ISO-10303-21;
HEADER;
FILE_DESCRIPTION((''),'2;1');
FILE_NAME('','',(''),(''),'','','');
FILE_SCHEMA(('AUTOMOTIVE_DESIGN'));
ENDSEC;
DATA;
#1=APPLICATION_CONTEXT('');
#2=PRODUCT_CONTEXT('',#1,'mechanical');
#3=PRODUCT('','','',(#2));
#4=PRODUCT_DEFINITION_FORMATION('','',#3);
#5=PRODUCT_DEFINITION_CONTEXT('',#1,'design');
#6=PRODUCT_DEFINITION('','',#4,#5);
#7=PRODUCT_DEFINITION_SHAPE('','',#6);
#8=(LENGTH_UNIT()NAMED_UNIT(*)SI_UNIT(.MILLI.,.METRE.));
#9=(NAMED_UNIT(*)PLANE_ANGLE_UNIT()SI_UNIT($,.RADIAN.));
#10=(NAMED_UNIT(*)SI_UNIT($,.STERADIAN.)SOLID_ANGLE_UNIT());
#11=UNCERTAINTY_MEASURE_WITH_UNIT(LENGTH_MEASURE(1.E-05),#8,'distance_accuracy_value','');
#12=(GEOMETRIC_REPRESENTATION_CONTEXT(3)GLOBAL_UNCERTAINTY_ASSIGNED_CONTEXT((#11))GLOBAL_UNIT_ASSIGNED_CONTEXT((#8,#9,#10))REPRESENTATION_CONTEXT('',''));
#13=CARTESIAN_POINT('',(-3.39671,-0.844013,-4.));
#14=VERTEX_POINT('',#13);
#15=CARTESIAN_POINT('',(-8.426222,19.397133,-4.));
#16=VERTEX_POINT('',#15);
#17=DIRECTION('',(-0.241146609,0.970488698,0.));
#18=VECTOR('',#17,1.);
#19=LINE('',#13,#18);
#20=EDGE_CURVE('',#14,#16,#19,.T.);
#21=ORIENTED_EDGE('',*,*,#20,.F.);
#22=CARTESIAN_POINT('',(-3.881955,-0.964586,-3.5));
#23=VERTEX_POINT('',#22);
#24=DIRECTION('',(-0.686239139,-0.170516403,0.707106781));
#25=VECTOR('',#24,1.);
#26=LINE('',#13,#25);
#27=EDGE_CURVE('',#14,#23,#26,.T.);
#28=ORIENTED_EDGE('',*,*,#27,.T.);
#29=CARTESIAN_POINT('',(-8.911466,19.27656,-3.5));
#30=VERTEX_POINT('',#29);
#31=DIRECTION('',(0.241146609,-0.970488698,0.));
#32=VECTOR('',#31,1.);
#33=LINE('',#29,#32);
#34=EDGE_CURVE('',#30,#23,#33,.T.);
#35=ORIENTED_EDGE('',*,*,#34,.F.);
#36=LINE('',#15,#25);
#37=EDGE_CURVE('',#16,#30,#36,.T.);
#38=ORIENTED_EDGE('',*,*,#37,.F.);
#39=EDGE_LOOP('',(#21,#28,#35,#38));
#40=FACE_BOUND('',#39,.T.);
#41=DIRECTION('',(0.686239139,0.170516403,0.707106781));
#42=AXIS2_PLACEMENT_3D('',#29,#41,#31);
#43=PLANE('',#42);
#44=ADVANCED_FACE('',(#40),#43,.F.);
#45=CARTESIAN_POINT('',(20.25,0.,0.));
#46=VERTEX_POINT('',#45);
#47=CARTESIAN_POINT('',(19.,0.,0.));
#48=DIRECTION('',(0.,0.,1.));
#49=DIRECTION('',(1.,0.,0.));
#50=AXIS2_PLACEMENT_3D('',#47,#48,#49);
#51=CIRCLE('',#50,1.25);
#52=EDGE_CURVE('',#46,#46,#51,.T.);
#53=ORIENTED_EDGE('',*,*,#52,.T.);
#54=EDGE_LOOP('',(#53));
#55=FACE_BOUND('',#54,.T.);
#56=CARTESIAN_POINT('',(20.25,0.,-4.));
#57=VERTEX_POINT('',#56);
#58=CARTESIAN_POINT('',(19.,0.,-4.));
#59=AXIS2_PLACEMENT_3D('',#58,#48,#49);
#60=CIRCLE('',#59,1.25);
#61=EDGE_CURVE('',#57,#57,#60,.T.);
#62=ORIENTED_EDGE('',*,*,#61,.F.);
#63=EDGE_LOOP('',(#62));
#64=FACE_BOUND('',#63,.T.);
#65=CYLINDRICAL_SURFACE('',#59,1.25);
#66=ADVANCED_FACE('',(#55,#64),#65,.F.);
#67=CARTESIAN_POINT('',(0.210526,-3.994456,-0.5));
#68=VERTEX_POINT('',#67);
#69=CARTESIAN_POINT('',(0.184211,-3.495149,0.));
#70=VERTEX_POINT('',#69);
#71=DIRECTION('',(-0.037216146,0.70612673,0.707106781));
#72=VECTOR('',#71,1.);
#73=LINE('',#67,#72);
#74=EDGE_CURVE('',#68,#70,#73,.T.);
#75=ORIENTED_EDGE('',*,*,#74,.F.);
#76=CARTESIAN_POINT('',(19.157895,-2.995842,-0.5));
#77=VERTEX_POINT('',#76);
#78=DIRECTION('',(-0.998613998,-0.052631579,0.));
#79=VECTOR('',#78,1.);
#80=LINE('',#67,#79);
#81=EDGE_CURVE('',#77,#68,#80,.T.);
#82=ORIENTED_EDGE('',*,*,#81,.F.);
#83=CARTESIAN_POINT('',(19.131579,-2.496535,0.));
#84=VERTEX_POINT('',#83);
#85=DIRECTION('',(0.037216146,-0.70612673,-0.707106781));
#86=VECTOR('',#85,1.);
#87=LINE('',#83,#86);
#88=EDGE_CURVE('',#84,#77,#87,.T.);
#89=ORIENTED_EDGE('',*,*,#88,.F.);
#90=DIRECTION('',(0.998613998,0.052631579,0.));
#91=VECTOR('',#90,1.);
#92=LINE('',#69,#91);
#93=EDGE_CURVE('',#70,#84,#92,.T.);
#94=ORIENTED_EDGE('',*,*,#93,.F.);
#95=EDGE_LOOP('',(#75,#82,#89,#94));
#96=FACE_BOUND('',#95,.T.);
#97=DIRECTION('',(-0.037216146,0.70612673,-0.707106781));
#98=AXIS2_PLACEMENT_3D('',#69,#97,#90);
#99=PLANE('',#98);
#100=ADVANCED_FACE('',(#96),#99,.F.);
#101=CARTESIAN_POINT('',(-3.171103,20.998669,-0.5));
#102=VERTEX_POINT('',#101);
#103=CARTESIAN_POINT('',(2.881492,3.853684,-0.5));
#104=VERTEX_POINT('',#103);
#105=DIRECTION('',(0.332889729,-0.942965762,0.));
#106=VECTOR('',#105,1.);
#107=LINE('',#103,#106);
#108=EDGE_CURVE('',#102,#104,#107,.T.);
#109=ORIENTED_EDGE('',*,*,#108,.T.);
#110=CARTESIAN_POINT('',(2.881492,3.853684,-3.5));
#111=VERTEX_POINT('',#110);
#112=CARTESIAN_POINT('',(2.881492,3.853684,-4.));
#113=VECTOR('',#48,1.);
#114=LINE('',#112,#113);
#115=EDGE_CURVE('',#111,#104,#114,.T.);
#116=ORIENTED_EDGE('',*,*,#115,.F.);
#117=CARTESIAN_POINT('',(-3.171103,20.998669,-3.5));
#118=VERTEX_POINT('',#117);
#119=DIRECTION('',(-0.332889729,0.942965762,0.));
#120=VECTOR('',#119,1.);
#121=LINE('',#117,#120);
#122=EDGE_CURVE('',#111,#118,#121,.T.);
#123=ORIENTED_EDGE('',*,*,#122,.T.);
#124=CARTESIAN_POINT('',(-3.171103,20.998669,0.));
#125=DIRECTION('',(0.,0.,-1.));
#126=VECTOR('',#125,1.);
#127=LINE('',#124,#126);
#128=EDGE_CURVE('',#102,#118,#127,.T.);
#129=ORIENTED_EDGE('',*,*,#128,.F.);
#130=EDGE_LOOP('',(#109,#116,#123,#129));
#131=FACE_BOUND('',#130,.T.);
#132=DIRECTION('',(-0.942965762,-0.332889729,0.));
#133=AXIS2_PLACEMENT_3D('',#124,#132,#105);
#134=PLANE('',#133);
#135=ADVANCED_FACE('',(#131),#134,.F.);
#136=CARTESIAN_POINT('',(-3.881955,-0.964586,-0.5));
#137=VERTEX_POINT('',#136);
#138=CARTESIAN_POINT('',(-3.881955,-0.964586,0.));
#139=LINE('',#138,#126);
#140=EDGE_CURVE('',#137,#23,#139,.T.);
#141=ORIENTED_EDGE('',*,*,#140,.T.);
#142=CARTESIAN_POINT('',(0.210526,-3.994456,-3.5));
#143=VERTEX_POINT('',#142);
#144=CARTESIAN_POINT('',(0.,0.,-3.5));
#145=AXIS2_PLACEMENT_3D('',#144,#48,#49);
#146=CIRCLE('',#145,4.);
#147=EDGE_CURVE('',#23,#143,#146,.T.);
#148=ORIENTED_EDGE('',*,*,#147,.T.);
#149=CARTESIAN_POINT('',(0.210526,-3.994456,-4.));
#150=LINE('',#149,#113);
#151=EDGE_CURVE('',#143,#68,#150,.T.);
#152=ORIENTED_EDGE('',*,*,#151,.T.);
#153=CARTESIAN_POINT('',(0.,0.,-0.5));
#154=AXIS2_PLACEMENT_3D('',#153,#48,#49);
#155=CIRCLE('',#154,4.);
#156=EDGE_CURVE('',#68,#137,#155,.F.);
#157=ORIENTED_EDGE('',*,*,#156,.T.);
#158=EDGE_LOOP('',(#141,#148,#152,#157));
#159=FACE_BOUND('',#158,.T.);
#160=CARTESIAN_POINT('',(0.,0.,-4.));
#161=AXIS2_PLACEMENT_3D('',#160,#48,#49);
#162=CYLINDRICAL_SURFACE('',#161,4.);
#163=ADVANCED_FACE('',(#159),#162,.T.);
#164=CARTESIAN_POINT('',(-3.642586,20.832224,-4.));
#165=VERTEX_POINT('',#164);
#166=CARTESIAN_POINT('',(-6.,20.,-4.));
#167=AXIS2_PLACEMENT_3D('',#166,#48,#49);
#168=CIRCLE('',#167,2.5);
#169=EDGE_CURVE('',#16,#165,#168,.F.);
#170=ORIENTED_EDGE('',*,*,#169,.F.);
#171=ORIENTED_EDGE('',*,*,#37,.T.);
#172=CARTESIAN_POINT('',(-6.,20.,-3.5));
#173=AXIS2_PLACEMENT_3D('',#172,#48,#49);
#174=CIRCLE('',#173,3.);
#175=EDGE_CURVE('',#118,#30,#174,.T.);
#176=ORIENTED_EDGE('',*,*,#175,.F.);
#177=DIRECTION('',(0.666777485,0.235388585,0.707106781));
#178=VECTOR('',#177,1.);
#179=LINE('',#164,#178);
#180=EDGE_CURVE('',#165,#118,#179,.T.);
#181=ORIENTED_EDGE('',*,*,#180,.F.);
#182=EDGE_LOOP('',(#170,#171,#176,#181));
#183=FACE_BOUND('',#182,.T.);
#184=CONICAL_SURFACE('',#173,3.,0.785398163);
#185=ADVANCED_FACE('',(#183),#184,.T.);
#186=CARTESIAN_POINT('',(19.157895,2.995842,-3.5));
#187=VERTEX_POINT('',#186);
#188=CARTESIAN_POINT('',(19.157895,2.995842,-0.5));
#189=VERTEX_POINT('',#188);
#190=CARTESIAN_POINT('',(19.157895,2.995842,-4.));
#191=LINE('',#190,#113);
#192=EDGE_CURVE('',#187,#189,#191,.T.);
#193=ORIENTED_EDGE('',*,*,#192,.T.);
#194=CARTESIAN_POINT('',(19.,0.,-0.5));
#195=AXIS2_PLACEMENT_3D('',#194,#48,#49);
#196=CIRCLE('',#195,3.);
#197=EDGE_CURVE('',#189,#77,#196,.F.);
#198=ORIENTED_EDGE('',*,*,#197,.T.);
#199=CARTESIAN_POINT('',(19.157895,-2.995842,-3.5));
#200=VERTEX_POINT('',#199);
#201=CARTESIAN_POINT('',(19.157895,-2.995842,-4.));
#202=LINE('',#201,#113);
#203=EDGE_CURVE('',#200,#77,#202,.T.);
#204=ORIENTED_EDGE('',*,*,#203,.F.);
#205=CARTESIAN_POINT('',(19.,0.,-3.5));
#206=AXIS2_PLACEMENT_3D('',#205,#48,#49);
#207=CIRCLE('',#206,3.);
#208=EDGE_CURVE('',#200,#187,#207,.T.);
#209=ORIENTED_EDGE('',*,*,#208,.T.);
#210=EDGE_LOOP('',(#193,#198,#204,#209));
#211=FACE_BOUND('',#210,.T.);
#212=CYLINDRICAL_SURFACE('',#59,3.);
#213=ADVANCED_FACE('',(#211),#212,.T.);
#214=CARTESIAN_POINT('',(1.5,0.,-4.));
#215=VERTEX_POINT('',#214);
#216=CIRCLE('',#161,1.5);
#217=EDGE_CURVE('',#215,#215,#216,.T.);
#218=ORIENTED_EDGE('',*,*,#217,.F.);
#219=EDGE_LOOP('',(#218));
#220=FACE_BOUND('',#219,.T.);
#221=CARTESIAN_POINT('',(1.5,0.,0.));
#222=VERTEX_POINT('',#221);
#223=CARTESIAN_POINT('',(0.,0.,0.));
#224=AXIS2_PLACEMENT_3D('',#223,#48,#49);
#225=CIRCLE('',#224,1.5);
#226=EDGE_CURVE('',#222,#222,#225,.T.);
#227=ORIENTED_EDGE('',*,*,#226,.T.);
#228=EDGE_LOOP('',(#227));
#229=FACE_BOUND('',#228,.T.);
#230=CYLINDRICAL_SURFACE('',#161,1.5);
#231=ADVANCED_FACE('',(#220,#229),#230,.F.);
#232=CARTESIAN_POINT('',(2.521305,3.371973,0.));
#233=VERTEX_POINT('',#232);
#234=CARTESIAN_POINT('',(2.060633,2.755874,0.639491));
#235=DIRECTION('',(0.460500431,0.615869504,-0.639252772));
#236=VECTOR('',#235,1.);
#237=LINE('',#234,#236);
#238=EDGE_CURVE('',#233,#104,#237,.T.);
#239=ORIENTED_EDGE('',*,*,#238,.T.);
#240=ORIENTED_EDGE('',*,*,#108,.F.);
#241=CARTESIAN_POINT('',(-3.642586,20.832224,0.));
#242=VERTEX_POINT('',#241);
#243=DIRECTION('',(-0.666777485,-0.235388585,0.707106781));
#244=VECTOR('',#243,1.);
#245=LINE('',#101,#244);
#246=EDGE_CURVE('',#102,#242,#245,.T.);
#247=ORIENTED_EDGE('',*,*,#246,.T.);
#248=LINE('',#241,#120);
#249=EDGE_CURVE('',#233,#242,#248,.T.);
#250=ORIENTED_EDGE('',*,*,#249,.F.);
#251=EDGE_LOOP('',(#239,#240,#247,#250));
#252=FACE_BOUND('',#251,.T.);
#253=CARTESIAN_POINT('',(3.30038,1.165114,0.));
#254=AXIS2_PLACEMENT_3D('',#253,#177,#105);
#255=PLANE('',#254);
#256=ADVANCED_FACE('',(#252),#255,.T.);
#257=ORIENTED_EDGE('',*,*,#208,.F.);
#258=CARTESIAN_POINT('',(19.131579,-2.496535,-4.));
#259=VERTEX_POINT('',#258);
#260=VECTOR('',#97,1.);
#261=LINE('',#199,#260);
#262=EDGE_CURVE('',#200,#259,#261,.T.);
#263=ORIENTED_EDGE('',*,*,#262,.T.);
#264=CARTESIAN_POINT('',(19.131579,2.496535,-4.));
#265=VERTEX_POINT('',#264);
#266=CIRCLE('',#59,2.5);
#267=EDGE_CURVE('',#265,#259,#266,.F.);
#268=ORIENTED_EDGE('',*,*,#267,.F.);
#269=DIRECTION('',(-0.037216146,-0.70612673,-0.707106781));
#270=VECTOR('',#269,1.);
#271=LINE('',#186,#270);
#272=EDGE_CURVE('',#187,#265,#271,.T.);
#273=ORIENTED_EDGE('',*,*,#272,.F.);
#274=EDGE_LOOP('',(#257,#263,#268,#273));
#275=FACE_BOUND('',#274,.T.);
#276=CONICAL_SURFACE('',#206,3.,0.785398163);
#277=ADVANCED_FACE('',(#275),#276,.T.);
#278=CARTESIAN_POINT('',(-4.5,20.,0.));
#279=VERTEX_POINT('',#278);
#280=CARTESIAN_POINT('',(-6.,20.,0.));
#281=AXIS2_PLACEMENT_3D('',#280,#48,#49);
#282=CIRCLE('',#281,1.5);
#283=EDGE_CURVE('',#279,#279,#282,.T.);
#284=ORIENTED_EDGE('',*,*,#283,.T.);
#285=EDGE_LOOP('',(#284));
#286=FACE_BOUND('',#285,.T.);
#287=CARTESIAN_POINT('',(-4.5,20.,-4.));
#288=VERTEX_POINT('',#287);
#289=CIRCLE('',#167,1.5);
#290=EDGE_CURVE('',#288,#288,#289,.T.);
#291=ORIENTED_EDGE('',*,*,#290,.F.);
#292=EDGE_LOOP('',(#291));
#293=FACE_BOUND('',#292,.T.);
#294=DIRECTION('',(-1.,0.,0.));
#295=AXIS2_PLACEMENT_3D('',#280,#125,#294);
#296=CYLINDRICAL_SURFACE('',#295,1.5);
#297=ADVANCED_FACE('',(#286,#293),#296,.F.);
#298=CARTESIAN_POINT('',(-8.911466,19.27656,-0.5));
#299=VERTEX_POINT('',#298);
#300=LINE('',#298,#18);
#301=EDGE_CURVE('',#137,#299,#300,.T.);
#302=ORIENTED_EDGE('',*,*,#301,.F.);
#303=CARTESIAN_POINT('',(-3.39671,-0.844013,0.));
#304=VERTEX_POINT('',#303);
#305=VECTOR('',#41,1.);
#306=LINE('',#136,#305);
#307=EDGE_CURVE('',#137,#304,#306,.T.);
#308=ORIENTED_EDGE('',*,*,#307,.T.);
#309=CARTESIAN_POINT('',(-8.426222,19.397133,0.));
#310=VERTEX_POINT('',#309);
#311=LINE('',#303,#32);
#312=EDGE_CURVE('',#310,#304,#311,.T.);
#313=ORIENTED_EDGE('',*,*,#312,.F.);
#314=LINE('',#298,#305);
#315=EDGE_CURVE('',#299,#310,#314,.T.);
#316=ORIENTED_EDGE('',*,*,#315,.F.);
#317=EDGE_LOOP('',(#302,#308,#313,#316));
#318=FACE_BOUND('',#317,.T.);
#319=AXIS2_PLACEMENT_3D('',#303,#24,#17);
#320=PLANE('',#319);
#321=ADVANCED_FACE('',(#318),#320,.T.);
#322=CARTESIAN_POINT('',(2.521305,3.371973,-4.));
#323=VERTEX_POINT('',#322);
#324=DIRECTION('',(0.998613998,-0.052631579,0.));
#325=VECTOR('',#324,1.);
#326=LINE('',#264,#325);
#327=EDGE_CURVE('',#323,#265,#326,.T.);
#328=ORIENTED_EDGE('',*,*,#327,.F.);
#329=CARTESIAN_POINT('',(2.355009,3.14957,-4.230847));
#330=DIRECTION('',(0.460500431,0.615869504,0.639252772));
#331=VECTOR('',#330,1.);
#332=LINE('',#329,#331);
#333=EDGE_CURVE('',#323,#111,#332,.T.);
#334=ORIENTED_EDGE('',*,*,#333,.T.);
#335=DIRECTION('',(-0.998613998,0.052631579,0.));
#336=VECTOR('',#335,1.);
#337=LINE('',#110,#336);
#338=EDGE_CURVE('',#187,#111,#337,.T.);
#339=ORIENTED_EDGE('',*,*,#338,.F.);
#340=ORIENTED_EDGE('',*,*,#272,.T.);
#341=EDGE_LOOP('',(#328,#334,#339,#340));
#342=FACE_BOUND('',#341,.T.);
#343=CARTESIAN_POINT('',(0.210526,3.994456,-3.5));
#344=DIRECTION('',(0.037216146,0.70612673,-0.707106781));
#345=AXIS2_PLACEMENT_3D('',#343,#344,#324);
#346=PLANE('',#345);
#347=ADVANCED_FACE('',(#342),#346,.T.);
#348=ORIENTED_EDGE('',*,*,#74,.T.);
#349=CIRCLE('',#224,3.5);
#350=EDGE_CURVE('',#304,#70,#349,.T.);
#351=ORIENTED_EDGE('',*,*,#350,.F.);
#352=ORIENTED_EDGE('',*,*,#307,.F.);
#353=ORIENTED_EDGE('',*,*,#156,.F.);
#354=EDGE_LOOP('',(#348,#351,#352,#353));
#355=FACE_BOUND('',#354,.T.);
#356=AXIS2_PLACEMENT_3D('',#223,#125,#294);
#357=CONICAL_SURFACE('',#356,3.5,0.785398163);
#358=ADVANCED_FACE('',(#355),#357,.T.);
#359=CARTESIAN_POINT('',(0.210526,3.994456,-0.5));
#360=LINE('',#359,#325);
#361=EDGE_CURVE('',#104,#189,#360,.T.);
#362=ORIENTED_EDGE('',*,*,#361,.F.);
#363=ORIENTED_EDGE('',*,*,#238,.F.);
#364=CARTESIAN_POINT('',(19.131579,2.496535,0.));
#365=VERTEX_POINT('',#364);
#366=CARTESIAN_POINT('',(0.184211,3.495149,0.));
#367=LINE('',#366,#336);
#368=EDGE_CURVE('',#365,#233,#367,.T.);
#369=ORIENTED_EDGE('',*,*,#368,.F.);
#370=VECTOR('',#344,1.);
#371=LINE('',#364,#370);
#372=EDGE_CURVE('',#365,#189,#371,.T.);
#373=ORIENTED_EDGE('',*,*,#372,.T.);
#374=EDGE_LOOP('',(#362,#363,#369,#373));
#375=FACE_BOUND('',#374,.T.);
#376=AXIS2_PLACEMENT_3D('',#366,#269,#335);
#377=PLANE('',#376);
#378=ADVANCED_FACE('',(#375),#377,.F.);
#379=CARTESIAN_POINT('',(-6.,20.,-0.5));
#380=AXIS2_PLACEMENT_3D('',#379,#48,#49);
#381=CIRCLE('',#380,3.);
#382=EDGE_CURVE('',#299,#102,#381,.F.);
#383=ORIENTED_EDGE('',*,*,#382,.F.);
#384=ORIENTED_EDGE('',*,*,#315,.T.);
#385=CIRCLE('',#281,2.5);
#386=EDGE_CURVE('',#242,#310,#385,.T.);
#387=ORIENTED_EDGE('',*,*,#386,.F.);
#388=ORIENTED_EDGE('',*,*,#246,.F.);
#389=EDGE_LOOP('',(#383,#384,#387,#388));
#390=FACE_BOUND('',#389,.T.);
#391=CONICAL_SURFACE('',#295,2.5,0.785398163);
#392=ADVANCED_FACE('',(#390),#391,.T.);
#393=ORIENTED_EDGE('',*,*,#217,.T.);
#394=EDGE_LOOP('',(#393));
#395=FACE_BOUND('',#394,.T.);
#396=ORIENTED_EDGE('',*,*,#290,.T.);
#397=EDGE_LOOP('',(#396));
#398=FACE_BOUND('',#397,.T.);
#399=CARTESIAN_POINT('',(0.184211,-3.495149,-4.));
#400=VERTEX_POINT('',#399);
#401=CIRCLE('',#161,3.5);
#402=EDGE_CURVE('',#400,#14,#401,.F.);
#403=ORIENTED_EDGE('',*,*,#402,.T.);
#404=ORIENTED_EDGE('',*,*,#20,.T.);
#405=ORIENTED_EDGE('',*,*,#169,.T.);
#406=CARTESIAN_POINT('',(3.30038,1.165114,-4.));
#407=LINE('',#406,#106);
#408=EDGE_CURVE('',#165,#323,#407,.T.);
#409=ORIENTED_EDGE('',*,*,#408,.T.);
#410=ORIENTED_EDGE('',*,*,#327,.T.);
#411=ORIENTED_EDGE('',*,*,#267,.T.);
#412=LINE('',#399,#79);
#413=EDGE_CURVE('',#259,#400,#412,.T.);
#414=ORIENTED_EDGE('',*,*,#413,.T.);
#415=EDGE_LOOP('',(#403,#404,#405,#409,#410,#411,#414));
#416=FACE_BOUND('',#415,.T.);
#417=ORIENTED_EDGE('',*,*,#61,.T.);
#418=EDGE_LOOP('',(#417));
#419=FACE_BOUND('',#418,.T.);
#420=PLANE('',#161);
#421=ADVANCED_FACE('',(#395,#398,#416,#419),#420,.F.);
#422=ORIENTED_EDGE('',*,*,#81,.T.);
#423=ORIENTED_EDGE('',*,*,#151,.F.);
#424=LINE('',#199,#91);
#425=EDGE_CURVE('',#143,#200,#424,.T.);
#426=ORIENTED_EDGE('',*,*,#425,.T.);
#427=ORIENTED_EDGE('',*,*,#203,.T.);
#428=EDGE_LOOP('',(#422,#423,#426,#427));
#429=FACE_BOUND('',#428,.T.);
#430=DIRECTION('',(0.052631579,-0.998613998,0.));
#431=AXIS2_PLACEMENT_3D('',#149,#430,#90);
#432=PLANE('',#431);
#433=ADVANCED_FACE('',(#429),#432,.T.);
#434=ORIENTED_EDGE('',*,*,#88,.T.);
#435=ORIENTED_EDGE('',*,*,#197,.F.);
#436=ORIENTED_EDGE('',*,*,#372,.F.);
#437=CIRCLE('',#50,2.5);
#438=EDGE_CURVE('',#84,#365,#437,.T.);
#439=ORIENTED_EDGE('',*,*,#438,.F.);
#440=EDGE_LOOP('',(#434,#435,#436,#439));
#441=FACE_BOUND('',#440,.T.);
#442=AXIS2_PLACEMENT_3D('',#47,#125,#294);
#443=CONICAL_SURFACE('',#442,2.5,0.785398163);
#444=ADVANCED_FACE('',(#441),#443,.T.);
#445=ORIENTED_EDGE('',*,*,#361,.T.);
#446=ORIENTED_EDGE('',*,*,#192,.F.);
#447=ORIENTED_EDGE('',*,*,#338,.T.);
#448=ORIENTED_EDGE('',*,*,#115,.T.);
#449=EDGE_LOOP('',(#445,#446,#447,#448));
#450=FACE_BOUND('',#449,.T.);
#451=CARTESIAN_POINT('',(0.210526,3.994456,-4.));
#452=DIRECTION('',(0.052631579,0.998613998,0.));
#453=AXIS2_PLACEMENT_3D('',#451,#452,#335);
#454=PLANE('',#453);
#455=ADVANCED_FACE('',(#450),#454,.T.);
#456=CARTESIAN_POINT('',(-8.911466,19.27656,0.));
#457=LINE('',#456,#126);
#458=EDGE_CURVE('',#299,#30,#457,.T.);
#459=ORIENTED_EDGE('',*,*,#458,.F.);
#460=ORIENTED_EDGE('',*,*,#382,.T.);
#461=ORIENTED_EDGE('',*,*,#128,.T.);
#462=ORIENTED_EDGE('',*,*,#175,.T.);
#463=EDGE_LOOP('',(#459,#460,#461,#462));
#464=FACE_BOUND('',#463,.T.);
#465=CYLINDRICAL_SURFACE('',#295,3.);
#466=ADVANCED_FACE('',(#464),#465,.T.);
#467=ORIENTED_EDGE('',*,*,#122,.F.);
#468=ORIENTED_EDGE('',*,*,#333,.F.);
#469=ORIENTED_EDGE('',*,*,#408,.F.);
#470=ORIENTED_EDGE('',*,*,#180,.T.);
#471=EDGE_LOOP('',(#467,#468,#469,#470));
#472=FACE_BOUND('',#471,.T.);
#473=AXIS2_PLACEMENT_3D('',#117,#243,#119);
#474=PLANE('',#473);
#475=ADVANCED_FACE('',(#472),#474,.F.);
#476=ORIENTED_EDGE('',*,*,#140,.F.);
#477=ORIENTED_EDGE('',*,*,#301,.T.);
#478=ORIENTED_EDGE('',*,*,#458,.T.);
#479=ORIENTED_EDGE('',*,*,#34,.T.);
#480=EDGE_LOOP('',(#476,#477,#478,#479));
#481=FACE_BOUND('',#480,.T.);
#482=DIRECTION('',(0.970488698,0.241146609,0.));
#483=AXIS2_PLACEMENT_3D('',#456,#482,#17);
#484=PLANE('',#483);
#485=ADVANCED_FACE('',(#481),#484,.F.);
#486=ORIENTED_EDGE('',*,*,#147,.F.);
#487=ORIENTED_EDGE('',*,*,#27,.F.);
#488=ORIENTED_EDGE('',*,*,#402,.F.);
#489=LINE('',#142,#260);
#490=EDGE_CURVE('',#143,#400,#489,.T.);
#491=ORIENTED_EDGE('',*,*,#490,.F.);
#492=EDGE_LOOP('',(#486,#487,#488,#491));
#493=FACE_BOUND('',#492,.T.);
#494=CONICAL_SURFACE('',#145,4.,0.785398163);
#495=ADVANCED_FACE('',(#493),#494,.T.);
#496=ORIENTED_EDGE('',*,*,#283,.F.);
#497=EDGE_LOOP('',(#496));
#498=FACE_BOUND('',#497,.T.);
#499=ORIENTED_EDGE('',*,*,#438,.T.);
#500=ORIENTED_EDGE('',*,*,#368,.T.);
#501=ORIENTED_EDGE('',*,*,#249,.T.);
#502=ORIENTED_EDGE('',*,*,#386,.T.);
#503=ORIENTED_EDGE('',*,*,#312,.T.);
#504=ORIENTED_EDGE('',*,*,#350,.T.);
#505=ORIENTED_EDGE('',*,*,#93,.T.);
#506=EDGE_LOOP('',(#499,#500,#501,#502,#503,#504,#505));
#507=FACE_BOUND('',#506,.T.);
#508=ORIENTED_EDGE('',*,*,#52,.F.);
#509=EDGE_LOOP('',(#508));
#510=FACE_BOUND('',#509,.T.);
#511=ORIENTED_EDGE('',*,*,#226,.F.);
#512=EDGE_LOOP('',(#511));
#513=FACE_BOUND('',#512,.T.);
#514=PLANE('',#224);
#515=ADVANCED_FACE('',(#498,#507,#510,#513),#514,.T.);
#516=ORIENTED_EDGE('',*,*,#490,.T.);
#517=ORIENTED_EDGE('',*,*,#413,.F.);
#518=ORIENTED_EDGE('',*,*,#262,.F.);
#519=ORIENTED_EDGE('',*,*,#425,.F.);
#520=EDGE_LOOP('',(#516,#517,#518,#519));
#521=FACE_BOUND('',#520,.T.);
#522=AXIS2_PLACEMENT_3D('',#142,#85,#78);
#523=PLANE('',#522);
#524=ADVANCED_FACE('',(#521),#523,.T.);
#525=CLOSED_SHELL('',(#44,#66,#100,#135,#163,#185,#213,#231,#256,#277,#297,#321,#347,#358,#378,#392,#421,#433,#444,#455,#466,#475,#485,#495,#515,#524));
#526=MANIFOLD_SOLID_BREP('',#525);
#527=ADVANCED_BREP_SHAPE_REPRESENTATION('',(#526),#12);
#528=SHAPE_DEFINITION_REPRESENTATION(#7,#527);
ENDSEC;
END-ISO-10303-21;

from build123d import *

# Parameters (mm, degrees)
CROQUIS7_R              = 3
CROQUIS7_R_2            = 1.5
SALIENTE_EXTRUIR4_DEPTH = 4
CROQUIS9_R              = 1.5
CROQUIS9_R_2            = 1.25
SALIENTE_EXTRUIR5_DEPTH = 4
CROQUIS2_R              = 3.020046414
CROQUIS2_R_2            = 1.5
SALIENTE_EXTRUIR2_DEPTH = 4
CHAFL_N1_SIZE           = 0.5


with BuildPart() as part:
    # Croquis7 → Saliente-Extruir4 (new body)
    with BuildSketch(Plane.XY):
        Circle(CROQUIS7_R)
        Circle(CROQUIS7_R_2, mode=Mode.SUBTRACT)
    extrude(amount=-SALIENTE_EXTRUIR4_DEPTH)

    # Croquis9 → Saliente-Extruir5 (add)
    with BuildSketch(Plane.XY):
        with BuildLine():
            Line((0.210526316, 3.994455992), (19.157894737, 2.995841994))
            ThreePointArc((19.157894737, 2.995841994), (22, 0), (19.157894737, -2.995841994))
            Line((19.157894737, -2.995841994), (0.210526316, -3.994455992))
            ThreePointArc((0.210526316, -3.994455992), (-4, 0), (0.210526316, 3.994455992))
        make_face()
        Circle(CROQUIS9_R, mode=Mode.SUBTRACT)
        with Locations((19, 0)):
            Circle(CROQUIS9_R_2, mode=Mode.SUBTRACT)
    extrude(amount=-SALIENTE_EXTRUIR5_DEPTH)

    # Croquis2 → Saliente-Extruir2 (add, through all)
    with BuildSketch(Plane.XY.offset(-4)):
        with BuildLine():
            Line((-3.171102714, 20.998669186), (3.771863049, 1.331558915))
            ThreePointArc((3.771863049, 1.331558915), (1.149391542, -3.831305141), (-3.881954792, -0.964586438))
            Line((-3.881954792, -0.964586438), (-8.911466094, 19.276560172))
            ThreePointArc((-8.911466094, 19.276560172), (-6.862043657, 22.873478856), (-3.171102714, 20.998669186))
        make_face()
        Circle(CROQUIS2_R, mode=Mode.SUBTRACT)
        with Locations((-6, 20)):
            Circle(CROQUIS2_R_2, mode=Mode.SUBTRACT)
    extrude(amount=SALIENTE_EXTRUIR2_DEPTH)

    # Chaflán1
    chafl_n1_edges = [part.edges().sort_by_distance(p)[0] for p in [
        (11.01969335, 3.424762868, -4),
        (22, 0, -4),
        (9.684210526, -3.495148993, -4),
        (9.684210526, -3.495148993, 0),
        (22, 0, 0),
        (11.01969335, 3.424762868, 0),
        (-2.380099608, -3.214829056, 0),
        (-2.380099608, -3.214829056, -4),
        (-6.396710443, 9.155986867, 0),
        (-0.144805375, 12.426176464, 0),
        (-6.862043657, 22.873478856, 0),
        (-6.862043657, 22.873478856, -4),
        (-6.396710443, 9.155986867, -4),
        (-0.144805375, 12.426176464, -4),
    ]]
    chamfer(chafl_n1_edges, length=CHAFL_N1_SIZE)


solid = part.part
